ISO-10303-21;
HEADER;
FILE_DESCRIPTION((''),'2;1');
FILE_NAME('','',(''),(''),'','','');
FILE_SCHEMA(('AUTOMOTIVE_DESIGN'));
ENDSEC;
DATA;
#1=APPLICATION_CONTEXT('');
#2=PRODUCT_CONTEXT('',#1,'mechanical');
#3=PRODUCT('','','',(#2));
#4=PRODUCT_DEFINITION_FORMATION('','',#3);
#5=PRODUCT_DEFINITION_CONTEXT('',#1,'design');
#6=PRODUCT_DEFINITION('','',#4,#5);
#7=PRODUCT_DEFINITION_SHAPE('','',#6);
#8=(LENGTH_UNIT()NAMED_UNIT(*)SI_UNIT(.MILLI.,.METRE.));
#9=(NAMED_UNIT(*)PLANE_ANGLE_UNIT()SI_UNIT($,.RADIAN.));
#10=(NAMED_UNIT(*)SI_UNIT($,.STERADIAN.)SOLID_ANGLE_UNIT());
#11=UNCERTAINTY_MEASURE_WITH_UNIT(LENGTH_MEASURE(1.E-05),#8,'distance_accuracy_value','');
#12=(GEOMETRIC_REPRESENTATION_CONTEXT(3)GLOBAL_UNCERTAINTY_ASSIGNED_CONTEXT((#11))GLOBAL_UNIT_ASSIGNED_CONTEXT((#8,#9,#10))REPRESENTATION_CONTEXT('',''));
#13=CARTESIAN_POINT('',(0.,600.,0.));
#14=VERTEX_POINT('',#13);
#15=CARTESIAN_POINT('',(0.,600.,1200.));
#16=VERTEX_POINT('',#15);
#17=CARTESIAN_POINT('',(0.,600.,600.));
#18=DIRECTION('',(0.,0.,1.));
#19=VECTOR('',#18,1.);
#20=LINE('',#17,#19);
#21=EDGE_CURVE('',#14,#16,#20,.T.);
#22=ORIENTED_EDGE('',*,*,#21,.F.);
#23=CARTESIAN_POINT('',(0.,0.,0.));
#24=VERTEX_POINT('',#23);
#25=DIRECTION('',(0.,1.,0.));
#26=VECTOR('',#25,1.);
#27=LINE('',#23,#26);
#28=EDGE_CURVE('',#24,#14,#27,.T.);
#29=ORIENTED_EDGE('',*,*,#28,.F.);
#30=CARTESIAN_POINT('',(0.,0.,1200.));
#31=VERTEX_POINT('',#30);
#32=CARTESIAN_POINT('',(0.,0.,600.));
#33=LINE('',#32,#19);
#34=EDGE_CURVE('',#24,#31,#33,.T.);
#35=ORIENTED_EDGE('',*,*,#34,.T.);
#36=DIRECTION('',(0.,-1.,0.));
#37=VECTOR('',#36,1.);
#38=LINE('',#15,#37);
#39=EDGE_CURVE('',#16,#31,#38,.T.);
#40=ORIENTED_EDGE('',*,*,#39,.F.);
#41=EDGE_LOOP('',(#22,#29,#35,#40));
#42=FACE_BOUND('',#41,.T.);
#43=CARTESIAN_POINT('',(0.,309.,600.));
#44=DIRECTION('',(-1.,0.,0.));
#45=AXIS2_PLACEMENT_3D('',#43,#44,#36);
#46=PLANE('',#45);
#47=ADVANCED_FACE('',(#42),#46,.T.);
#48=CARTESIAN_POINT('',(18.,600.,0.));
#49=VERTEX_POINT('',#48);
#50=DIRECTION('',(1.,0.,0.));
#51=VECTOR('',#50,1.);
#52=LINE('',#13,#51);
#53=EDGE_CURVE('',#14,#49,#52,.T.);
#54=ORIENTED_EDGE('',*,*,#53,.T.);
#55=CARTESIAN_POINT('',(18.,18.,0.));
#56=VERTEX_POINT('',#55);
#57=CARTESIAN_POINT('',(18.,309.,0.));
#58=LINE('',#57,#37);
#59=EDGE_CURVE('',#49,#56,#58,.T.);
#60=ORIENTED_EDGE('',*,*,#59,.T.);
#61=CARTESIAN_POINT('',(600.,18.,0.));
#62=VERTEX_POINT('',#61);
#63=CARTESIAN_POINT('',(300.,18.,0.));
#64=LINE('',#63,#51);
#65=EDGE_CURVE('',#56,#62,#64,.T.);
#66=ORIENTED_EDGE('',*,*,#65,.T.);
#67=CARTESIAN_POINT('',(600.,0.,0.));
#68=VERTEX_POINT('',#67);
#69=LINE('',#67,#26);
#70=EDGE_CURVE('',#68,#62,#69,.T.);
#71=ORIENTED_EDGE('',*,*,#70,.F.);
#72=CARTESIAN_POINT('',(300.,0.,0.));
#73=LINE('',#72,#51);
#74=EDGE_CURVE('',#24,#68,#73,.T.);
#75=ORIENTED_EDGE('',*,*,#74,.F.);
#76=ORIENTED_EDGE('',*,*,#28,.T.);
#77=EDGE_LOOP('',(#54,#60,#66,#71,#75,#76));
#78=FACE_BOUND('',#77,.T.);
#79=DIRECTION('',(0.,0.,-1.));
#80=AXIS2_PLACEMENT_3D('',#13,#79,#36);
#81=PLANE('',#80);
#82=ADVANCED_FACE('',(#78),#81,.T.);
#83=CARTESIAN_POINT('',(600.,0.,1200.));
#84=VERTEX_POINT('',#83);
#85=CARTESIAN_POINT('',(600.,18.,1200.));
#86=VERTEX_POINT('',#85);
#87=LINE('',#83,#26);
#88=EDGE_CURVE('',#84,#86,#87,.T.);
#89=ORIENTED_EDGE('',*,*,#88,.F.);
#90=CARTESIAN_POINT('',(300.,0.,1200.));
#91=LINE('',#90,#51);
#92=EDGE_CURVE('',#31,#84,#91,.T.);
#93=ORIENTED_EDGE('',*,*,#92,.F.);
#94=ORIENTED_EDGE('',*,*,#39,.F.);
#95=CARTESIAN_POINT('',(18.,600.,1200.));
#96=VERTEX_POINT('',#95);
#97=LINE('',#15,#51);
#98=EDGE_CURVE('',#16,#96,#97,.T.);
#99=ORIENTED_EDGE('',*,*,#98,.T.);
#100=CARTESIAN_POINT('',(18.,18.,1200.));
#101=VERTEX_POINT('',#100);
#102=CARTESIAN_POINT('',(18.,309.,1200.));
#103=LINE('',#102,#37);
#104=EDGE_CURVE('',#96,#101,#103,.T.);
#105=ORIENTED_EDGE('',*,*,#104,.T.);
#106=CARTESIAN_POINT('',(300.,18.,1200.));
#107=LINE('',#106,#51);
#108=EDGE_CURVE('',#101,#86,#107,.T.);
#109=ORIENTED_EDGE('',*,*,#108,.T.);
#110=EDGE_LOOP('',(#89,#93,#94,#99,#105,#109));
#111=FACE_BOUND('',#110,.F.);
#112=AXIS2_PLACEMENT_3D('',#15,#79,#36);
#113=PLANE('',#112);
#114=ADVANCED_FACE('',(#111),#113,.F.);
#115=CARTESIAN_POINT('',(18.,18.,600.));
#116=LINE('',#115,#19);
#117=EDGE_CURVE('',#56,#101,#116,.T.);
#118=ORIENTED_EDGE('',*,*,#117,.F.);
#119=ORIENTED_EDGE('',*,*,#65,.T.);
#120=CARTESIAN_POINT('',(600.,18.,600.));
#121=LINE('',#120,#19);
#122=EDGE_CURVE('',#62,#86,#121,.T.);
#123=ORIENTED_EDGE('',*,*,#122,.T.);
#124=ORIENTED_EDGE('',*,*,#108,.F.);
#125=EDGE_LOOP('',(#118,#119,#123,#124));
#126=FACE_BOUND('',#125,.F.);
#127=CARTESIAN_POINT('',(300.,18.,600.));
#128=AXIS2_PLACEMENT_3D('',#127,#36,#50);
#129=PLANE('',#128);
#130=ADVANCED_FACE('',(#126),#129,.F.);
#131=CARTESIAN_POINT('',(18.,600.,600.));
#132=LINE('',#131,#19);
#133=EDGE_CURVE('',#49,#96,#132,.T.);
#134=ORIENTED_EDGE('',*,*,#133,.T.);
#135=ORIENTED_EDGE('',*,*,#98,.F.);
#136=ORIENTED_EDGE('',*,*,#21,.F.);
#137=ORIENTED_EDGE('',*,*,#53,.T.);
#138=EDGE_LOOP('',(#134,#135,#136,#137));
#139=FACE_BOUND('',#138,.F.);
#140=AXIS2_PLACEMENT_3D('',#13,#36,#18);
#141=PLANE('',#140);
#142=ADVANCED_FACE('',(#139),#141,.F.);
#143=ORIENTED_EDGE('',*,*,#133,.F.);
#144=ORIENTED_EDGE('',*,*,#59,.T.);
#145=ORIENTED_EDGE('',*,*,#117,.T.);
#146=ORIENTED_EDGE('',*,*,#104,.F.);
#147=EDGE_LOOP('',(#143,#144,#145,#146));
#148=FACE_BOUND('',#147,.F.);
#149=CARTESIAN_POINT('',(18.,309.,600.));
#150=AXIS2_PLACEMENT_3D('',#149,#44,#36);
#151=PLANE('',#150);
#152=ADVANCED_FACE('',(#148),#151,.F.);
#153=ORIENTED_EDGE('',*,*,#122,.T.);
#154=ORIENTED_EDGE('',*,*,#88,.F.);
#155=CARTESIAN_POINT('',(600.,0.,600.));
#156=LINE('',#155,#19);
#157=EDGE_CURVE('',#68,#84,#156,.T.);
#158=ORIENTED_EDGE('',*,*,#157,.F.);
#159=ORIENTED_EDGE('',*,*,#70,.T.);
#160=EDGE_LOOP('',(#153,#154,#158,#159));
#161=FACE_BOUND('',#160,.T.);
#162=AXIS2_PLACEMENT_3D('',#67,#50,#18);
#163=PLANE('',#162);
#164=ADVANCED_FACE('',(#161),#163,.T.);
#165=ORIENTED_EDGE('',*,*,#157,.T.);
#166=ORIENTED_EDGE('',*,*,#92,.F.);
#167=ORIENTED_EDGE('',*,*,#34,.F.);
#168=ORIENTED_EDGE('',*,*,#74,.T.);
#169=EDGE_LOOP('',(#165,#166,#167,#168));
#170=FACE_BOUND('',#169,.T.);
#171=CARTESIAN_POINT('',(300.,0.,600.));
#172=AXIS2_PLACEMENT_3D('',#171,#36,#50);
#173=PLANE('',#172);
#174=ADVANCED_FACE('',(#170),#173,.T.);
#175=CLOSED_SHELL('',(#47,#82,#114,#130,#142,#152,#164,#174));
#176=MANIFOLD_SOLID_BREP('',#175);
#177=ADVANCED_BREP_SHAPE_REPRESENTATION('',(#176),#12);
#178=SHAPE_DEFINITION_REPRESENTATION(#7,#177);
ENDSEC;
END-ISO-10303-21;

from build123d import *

# Parameters (mm, degrees)
F0_W     = 600
F0_H     = 1200
F1_DEPTH = 18
F2_W     = 582
F2_H     = 1200
F3_DEPTH = 18


with BuildPart() as f1:
    # F0 (on Front) → F1 (new body)
    with BuildSketch(Plane.XZ):
        with Locations((300, 600)):
            Rectangle(F0_W, F0_H)
    extrude(amount=-F1_DEPTH)

    # F2 (on face) → F3 (join)
    with BuildSketch(Plane(origin=(0, 0, 0), x_dir=(0, -1, 0), z_dir=(-1, 0, 0))):
        with Locations((-309, 600)):
            Rectangle(F2_W, F2_H)
    extrude(amount=-F3_DEPTH)


solid = f1.part
